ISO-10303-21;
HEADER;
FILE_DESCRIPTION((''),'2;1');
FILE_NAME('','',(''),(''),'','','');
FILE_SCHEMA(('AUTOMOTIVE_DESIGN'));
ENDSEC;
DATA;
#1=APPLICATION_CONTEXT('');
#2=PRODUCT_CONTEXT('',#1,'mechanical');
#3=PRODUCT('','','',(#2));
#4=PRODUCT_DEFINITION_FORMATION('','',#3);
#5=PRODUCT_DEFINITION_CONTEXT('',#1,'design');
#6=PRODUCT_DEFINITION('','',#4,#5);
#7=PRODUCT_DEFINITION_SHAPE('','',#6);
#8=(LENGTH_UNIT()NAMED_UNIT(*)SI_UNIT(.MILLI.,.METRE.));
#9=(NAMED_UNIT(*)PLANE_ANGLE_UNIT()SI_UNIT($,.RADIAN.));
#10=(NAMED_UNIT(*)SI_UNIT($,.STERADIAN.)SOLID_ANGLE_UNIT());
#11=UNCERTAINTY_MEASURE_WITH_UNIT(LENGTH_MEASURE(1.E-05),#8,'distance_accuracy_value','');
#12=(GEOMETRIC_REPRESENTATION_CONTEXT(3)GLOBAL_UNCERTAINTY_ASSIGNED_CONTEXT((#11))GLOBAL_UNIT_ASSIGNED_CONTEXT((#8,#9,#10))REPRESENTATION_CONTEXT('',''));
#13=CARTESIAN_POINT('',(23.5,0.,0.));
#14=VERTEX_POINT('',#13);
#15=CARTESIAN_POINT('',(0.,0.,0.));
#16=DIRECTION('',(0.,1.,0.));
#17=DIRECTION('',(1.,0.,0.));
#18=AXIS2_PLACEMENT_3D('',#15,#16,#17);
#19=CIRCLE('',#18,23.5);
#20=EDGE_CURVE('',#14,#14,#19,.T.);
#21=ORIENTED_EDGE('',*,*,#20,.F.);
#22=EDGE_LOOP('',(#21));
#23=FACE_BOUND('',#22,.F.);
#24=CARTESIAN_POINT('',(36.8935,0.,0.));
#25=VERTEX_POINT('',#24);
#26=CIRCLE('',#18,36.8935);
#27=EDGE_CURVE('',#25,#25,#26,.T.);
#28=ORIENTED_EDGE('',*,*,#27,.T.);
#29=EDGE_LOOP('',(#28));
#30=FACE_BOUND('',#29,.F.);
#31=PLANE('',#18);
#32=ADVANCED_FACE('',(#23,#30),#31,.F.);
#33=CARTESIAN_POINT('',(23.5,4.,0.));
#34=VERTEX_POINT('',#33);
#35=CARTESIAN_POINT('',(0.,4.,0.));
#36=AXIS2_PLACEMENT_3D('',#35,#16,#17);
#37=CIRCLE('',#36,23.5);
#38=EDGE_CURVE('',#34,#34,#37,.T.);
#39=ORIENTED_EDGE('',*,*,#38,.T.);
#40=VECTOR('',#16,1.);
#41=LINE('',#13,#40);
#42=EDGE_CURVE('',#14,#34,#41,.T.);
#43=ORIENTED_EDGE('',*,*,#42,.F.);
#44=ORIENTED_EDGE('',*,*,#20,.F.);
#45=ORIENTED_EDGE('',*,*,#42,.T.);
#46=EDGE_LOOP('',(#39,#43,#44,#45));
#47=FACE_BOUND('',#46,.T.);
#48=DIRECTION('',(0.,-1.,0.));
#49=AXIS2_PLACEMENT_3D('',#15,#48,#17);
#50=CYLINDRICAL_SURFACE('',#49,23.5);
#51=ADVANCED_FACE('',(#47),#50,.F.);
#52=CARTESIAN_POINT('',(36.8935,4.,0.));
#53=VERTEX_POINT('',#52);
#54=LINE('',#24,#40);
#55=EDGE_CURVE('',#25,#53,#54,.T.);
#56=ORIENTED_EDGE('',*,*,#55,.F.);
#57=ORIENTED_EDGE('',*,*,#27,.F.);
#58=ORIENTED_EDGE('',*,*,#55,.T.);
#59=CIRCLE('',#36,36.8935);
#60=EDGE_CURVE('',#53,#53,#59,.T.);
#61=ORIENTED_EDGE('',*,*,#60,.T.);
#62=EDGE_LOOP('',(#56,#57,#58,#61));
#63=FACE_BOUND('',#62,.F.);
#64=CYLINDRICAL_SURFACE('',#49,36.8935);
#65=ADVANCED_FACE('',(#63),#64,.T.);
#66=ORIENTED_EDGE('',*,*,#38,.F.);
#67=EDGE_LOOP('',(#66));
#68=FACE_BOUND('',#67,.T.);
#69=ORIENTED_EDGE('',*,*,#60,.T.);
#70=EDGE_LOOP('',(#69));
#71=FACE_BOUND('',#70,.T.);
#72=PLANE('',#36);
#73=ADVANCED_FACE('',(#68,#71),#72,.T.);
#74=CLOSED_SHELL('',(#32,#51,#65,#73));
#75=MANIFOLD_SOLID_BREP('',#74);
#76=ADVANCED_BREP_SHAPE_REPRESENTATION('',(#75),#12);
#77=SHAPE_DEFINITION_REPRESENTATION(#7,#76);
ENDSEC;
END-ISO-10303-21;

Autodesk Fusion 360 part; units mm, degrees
sketch "Sketch1" plane through (0, 0, 0) normal (0, 1, 0) x (1, 0, 0)
  circle A0 centre (0, 0) radius 20.5 construction
  circle A1 centre (0, 0) radius 36.8935
  circle A2 centre (0, 0) radius 23.5
  dimension "d1" = 41
  dimension "d2" = 73.787
  dimension "d3" = 3
extrude "Extrude1" add sketch "Sketch1" along normal blind 4
